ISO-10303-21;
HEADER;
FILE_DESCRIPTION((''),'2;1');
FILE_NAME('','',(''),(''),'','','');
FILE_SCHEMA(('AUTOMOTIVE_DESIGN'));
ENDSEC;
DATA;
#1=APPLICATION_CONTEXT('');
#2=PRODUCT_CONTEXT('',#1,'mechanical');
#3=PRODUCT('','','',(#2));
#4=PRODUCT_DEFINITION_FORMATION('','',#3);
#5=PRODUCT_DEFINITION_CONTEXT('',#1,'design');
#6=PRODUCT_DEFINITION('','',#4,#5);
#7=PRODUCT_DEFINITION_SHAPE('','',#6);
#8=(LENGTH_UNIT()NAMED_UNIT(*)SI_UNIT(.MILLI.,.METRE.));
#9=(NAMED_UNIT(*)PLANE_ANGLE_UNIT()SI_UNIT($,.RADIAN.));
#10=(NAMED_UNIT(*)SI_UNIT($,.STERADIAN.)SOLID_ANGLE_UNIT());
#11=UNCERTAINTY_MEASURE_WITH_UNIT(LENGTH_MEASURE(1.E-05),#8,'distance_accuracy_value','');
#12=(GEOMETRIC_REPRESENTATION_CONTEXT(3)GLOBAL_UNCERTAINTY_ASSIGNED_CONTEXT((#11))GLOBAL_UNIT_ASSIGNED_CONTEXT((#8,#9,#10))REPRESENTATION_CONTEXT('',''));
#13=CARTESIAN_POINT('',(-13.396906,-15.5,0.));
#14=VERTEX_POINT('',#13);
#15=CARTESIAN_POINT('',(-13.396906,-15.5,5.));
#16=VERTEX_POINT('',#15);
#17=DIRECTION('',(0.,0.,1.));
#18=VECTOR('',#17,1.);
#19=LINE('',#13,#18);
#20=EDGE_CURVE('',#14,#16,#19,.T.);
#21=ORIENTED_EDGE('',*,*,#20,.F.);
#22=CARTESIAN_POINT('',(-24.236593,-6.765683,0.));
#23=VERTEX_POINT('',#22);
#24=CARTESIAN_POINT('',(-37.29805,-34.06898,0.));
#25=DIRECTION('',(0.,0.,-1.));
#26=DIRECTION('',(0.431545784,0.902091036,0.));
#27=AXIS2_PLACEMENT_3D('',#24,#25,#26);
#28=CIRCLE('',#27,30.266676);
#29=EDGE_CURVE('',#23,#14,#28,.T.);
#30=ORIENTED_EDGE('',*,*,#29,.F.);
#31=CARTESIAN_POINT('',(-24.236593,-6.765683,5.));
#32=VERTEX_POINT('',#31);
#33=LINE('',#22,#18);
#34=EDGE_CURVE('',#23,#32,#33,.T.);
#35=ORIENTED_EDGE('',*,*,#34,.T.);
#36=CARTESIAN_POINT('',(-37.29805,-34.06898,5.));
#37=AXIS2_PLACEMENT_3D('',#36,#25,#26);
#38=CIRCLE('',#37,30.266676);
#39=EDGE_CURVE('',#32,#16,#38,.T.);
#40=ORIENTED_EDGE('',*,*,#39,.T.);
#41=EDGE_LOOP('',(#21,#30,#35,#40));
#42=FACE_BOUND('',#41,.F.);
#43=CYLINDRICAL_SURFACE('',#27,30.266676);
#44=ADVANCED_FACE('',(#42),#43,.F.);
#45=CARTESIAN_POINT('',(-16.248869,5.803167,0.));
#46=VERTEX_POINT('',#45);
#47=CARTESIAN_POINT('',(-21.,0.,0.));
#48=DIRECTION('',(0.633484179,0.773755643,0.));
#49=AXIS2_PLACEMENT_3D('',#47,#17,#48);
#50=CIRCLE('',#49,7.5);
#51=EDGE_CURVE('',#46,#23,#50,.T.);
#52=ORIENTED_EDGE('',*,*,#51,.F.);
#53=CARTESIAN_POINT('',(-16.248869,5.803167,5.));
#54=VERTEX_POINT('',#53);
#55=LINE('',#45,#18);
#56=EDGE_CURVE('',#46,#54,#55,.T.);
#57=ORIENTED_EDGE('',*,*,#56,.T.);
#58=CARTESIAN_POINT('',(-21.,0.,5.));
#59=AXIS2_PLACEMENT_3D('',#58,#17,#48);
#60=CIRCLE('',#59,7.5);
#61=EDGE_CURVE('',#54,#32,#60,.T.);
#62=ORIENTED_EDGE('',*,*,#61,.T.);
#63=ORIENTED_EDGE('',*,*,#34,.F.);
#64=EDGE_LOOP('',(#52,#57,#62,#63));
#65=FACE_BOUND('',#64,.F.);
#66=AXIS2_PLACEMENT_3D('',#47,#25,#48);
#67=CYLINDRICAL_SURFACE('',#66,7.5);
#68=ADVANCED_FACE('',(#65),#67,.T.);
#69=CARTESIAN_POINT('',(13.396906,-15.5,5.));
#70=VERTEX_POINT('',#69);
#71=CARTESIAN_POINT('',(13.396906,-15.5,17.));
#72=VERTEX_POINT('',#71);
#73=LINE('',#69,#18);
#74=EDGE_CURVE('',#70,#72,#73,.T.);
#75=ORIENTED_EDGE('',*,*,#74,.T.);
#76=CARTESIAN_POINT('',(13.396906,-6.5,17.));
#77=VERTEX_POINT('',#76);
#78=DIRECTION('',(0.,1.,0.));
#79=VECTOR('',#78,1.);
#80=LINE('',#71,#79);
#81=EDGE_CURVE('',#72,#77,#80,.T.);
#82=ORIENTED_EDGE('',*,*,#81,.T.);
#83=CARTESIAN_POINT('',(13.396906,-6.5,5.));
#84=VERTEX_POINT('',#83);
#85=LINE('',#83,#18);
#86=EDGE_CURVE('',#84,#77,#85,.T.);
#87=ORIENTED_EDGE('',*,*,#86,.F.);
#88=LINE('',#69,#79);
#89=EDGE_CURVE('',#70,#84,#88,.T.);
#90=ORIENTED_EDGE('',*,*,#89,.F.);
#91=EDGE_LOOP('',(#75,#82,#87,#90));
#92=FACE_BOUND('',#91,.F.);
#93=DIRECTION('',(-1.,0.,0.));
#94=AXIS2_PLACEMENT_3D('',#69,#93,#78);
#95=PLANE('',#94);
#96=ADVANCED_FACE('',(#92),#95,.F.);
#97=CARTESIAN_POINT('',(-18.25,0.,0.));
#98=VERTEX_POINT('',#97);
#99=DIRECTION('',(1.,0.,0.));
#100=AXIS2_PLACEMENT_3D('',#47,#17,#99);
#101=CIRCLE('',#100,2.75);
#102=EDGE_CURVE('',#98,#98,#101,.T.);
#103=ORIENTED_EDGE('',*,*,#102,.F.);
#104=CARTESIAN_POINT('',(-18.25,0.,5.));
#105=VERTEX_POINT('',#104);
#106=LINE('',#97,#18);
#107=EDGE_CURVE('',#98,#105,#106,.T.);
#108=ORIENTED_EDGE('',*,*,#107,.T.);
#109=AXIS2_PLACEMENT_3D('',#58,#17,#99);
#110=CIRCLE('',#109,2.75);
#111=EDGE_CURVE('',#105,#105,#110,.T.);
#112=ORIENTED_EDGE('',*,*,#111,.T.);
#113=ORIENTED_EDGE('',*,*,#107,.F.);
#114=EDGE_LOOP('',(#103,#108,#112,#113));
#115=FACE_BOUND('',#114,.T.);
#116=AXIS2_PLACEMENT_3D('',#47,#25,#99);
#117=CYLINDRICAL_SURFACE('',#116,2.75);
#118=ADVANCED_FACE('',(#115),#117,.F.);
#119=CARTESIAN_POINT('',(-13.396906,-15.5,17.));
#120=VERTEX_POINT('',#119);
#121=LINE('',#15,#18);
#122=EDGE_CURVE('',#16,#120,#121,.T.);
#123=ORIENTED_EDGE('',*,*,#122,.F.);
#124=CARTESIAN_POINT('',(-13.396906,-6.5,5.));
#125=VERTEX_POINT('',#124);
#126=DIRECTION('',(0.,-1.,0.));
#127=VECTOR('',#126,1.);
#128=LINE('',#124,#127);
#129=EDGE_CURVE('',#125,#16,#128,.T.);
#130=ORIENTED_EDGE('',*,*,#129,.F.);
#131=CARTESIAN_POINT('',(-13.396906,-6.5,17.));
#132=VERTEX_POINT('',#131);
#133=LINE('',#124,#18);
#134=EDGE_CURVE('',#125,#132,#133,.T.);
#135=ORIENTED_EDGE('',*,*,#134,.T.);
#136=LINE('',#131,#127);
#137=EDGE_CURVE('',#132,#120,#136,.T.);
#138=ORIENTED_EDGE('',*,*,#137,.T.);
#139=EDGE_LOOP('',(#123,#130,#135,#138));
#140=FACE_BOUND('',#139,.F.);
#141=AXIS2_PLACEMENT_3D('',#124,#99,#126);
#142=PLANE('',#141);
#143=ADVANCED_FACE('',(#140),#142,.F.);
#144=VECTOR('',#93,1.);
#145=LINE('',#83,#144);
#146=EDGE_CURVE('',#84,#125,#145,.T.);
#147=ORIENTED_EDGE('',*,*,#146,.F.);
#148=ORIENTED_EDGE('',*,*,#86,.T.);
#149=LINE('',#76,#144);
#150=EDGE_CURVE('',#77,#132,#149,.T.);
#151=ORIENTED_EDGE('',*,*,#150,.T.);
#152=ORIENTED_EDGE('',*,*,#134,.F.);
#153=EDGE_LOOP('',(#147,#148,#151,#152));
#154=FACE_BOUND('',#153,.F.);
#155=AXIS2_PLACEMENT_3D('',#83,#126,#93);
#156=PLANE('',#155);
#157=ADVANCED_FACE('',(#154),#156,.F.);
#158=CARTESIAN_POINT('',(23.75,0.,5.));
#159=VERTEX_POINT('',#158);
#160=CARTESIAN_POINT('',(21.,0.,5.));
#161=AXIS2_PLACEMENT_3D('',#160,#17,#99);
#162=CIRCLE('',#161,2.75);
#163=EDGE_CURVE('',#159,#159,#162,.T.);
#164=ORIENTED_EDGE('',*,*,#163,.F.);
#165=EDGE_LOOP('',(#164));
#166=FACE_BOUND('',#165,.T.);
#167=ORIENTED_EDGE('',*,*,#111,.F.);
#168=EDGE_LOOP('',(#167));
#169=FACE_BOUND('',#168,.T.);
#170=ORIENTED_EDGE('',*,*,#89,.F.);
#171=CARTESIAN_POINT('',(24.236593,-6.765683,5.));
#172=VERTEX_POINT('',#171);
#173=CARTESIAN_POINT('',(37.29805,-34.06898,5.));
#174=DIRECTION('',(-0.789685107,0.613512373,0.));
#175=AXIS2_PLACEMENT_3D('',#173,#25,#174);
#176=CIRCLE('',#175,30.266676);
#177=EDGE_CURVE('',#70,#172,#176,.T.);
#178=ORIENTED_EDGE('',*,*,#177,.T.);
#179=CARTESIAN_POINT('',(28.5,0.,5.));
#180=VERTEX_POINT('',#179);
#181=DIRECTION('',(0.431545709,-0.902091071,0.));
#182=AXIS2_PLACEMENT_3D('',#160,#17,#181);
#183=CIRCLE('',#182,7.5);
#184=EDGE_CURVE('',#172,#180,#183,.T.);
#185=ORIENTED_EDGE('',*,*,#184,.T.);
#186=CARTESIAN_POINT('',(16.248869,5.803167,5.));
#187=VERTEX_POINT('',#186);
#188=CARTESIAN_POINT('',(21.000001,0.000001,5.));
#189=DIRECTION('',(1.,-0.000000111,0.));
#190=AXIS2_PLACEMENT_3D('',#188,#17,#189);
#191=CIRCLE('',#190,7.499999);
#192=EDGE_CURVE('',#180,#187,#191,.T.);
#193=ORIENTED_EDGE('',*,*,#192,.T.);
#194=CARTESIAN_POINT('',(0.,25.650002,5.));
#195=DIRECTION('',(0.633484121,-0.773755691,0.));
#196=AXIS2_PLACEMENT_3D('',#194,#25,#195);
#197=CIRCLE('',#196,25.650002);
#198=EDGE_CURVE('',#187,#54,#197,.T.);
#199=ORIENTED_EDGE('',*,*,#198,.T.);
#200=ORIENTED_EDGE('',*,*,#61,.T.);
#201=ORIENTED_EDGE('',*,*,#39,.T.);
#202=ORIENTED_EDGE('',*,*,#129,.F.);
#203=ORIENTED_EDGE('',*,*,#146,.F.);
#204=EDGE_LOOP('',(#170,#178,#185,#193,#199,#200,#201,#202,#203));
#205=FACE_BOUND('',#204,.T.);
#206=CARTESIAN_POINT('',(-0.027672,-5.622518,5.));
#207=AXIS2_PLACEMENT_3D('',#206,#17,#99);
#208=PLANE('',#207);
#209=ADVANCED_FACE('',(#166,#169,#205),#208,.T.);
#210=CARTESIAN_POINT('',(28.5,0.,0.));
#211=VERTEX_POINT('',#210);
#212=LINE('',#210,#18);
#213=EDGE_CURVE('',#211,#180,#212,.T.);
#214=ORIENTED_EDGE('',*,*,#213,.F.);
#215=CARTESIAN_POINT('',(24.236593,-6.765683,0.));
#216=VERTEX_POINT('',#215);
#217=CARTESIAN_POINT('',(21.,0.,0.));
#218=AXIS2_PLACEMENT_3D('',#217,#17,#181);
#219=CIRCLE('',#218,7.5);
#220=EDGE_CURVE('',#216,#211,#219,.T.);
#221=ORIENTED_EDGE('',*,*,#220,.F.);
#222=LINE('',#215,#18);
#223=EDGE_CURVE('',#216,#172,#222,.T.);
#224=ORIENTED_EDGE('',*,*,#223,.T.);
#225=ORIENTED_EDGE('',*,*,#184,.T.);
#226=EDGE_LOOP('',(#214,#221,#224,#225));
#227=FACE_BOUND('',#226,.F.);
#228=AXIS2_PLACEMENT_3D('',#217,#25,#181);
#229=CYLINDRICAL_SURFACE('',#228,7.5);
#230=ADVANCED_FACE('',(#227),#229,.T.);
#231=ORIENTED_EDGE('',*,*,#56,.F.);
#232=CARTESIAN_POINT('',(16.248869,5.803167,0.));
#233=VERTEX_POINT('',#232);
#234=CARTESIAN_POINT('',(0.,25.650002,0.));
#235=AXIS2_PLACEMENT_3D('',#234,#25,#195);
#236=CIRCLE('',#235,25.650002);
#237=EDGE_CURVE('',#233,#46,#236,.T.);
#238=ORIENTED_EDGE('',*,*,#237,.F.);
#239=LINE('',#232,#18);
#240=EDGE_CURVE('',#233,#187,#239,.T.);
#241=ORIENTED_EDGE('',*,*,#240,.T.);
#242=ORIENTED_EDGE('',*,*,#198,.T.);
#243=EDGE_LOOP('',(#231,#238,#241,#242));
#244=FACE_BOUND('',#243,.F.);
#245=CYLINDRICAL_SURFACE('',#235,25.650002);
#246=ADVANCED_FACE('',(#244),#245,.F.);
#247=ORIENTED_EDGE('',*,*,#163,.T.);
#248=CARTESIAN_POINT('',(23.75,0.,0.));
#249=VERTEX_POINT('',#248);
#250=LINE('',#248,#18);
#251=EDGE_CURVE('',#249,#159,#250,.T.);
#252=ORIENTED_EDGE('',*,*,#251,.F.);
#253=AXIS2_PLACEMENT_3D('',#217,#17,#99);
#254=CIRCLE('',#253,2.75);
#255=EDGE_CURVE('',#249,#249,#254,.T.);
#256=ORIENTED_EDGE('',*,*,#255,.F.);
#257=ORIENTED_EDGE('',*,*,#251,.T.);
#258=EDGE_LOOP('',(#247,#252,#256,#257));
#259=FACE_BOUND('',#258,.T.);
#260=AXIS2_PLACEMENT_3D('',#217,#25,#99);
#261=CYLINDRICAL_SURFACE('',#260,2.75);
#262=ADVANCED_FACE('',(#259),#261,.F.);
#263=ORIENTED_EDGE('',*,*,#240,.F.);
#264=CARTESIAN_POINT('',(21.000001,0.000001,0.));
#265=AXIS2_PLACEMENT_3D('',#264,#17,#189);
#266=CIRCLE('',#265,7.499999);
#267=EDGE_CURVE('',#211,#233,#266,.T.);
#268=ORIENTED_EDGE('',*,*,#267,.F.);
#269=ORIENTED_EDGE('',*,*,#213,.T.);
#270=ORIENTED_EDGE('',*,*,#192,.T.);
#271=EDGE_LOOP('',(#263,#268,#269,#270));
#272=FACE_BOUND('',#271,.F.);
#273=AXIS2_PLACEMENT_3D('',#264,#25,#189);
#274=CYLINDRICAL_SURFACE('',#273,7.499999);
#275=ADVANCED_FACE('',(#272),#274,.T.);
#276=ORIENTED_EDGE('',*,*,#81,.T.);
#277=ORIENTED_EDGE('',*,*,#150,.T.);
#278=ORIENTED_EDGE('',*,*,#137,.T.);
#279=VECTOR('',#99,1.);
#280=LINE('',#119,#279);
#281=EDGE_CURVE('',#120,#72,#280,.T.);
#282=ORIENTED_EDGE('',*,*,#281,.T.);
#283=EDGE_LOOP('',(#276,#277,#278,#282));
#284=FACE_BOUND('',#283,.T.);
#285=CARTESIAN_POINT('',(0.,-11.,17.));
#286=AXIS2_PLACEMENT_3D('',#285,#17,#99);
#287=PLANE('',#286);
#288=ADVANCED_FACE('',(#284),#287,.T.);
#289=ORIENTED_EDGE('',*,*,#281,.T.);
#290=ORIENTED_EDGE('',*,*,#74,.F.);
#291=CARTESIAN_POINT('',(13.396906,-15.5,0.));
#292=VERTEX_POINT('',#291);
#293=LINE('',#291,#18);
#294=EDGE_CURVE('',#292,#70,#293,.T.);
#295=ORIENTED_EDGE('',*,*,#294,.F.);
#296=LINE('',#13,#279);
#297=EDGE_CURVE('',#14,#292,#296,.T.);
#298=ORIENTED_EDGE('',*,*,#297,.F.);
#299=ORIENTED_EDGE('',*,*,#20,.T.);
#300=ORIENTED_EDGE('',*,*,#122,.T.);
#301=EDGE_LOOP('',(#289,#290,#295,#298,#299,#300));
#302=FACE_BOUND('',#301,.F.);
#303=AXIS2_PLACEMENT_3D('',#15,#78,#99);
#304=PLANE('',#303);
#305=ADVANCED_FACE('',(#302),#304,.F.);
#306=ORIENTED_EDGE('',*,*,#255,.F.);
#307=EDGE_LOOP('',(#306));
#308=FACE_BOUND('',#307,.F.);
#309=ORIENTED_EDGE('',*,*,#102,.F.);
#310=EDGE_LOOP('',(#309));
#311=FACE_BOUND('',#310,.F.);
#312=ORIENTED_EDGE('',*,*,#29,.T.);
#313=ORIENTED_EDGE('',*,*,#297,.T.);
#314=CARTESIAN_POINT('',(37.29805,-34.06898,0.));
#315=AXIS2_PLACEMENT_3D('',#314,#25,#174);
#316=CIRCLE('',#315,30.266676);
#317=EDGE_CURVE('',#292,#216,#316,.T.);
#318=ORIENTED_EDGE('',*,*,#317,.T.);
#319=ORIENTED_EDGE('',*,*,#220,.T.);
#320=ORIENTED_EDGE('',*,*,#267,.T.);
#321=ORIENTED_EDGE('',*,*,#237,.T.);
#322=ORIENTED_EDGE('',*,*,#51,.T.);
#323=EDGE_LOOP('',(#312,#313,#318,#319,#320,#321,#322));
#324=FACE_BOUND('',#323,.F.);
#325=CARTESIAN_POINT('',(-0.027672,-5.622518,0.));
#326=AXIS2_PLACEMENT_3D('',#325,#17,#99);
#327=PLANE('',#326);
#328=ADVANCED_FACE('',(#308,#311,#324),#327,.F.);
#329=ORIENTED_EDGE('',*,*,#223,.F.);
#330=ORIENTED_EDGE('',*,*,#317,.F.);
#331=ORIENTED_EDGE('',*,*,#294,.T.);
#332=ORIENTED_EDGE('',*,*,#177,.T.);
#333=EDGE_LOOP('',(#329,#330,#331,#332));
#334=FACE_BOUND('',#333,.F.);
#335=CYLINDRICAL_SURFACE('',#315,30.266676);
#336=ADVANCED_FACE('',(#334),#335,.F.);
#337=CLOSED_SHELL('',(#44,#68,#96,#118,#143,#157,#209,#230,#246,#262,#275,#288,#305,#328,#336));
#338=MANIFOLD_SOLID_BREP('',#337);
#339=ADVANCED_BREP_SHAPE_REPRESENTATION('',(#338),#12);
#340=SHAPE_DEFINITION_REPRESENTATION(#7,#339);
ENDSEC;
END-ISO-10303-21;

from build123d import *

# Parameters (mm, degrees)
F0_R     = 2.75
F1_DEPTH = 5
F3_DEPTH = 12


with BuildPart() as f1:
    # F0 (on Top) → F1 (new body)
    with BuildSketch(Plane.XY):
        with BuildLine():
            ThreePointArc((-16.248869, 5.803167), (-14.221966, 3.210648), (-13.5, 0))
            ThreePointArc((-13.5, 0), (-17.001528, -6.345252), (-24.236593, -6.765683))
            ThreePointArc((-24.236593, -6.765683), (-18.307775, -10.501181), (-13.396906, -15.5))
            Line((-13.396906, -15.5), (13.396906, -15.5))
            ThreePointArc((13.396906, -15.5), (18.307775, -10.501181), (24.236593, -6.765683))
            ThreePointArc((24.236593, -6.765683), (14.670114, -4.022753), (16.248869, 5.803167))
            ThreePointArc((16.248869, 5.803167), (0, 0), (-16.248869, 5.803167))
        make_face()
        with BuildLine():
            ThreePointArc((-24.236593, -6.765683), (-17.001528, -6.345252), (-13.5, 0))
            ThreePointArc((-13.5, 0), (-14.221966, 3.210648), (-16.248869, 5.803167))
            ThreePointArc((-16.248869, 5.803167), (-27.329886, 4.022753), (-24.236593, -6.765683))
        make_face()
        with Locations((-21, 0)):
            Circle(F0_R, mode=Mode.SUBTRACT)
        with BuildLine():
            ThreePointArc((28.5, 0), (24.210648, 6.778034), (16.248869, 5.803167))
            ThreePointArc((16.248869, 5.803167), (14.670114, -4.022753), (24.236593, -6.765683))
            ThreePointArc((24.236593, -6.765683), (27.345252, -3.998472), (28.5, 0))
        make_face()
        with Locations((21, 0)):
            Circle(F0_R, mode=Mode.SUBTRACT)
    extrude(amount=F1_DEPTH)

    # F2 (on face) → F3 (join)
    with BuildSketch(Plane.XY.offset(5)):
        Polygon((13.396906, -6.5), (0, -6.5), (-13.396906, -6.5), (-13.396906, -15.5), (13.396906, -15.5), align=None)
    extrude(amount=F3_DEPTH)


solid = f1.part
